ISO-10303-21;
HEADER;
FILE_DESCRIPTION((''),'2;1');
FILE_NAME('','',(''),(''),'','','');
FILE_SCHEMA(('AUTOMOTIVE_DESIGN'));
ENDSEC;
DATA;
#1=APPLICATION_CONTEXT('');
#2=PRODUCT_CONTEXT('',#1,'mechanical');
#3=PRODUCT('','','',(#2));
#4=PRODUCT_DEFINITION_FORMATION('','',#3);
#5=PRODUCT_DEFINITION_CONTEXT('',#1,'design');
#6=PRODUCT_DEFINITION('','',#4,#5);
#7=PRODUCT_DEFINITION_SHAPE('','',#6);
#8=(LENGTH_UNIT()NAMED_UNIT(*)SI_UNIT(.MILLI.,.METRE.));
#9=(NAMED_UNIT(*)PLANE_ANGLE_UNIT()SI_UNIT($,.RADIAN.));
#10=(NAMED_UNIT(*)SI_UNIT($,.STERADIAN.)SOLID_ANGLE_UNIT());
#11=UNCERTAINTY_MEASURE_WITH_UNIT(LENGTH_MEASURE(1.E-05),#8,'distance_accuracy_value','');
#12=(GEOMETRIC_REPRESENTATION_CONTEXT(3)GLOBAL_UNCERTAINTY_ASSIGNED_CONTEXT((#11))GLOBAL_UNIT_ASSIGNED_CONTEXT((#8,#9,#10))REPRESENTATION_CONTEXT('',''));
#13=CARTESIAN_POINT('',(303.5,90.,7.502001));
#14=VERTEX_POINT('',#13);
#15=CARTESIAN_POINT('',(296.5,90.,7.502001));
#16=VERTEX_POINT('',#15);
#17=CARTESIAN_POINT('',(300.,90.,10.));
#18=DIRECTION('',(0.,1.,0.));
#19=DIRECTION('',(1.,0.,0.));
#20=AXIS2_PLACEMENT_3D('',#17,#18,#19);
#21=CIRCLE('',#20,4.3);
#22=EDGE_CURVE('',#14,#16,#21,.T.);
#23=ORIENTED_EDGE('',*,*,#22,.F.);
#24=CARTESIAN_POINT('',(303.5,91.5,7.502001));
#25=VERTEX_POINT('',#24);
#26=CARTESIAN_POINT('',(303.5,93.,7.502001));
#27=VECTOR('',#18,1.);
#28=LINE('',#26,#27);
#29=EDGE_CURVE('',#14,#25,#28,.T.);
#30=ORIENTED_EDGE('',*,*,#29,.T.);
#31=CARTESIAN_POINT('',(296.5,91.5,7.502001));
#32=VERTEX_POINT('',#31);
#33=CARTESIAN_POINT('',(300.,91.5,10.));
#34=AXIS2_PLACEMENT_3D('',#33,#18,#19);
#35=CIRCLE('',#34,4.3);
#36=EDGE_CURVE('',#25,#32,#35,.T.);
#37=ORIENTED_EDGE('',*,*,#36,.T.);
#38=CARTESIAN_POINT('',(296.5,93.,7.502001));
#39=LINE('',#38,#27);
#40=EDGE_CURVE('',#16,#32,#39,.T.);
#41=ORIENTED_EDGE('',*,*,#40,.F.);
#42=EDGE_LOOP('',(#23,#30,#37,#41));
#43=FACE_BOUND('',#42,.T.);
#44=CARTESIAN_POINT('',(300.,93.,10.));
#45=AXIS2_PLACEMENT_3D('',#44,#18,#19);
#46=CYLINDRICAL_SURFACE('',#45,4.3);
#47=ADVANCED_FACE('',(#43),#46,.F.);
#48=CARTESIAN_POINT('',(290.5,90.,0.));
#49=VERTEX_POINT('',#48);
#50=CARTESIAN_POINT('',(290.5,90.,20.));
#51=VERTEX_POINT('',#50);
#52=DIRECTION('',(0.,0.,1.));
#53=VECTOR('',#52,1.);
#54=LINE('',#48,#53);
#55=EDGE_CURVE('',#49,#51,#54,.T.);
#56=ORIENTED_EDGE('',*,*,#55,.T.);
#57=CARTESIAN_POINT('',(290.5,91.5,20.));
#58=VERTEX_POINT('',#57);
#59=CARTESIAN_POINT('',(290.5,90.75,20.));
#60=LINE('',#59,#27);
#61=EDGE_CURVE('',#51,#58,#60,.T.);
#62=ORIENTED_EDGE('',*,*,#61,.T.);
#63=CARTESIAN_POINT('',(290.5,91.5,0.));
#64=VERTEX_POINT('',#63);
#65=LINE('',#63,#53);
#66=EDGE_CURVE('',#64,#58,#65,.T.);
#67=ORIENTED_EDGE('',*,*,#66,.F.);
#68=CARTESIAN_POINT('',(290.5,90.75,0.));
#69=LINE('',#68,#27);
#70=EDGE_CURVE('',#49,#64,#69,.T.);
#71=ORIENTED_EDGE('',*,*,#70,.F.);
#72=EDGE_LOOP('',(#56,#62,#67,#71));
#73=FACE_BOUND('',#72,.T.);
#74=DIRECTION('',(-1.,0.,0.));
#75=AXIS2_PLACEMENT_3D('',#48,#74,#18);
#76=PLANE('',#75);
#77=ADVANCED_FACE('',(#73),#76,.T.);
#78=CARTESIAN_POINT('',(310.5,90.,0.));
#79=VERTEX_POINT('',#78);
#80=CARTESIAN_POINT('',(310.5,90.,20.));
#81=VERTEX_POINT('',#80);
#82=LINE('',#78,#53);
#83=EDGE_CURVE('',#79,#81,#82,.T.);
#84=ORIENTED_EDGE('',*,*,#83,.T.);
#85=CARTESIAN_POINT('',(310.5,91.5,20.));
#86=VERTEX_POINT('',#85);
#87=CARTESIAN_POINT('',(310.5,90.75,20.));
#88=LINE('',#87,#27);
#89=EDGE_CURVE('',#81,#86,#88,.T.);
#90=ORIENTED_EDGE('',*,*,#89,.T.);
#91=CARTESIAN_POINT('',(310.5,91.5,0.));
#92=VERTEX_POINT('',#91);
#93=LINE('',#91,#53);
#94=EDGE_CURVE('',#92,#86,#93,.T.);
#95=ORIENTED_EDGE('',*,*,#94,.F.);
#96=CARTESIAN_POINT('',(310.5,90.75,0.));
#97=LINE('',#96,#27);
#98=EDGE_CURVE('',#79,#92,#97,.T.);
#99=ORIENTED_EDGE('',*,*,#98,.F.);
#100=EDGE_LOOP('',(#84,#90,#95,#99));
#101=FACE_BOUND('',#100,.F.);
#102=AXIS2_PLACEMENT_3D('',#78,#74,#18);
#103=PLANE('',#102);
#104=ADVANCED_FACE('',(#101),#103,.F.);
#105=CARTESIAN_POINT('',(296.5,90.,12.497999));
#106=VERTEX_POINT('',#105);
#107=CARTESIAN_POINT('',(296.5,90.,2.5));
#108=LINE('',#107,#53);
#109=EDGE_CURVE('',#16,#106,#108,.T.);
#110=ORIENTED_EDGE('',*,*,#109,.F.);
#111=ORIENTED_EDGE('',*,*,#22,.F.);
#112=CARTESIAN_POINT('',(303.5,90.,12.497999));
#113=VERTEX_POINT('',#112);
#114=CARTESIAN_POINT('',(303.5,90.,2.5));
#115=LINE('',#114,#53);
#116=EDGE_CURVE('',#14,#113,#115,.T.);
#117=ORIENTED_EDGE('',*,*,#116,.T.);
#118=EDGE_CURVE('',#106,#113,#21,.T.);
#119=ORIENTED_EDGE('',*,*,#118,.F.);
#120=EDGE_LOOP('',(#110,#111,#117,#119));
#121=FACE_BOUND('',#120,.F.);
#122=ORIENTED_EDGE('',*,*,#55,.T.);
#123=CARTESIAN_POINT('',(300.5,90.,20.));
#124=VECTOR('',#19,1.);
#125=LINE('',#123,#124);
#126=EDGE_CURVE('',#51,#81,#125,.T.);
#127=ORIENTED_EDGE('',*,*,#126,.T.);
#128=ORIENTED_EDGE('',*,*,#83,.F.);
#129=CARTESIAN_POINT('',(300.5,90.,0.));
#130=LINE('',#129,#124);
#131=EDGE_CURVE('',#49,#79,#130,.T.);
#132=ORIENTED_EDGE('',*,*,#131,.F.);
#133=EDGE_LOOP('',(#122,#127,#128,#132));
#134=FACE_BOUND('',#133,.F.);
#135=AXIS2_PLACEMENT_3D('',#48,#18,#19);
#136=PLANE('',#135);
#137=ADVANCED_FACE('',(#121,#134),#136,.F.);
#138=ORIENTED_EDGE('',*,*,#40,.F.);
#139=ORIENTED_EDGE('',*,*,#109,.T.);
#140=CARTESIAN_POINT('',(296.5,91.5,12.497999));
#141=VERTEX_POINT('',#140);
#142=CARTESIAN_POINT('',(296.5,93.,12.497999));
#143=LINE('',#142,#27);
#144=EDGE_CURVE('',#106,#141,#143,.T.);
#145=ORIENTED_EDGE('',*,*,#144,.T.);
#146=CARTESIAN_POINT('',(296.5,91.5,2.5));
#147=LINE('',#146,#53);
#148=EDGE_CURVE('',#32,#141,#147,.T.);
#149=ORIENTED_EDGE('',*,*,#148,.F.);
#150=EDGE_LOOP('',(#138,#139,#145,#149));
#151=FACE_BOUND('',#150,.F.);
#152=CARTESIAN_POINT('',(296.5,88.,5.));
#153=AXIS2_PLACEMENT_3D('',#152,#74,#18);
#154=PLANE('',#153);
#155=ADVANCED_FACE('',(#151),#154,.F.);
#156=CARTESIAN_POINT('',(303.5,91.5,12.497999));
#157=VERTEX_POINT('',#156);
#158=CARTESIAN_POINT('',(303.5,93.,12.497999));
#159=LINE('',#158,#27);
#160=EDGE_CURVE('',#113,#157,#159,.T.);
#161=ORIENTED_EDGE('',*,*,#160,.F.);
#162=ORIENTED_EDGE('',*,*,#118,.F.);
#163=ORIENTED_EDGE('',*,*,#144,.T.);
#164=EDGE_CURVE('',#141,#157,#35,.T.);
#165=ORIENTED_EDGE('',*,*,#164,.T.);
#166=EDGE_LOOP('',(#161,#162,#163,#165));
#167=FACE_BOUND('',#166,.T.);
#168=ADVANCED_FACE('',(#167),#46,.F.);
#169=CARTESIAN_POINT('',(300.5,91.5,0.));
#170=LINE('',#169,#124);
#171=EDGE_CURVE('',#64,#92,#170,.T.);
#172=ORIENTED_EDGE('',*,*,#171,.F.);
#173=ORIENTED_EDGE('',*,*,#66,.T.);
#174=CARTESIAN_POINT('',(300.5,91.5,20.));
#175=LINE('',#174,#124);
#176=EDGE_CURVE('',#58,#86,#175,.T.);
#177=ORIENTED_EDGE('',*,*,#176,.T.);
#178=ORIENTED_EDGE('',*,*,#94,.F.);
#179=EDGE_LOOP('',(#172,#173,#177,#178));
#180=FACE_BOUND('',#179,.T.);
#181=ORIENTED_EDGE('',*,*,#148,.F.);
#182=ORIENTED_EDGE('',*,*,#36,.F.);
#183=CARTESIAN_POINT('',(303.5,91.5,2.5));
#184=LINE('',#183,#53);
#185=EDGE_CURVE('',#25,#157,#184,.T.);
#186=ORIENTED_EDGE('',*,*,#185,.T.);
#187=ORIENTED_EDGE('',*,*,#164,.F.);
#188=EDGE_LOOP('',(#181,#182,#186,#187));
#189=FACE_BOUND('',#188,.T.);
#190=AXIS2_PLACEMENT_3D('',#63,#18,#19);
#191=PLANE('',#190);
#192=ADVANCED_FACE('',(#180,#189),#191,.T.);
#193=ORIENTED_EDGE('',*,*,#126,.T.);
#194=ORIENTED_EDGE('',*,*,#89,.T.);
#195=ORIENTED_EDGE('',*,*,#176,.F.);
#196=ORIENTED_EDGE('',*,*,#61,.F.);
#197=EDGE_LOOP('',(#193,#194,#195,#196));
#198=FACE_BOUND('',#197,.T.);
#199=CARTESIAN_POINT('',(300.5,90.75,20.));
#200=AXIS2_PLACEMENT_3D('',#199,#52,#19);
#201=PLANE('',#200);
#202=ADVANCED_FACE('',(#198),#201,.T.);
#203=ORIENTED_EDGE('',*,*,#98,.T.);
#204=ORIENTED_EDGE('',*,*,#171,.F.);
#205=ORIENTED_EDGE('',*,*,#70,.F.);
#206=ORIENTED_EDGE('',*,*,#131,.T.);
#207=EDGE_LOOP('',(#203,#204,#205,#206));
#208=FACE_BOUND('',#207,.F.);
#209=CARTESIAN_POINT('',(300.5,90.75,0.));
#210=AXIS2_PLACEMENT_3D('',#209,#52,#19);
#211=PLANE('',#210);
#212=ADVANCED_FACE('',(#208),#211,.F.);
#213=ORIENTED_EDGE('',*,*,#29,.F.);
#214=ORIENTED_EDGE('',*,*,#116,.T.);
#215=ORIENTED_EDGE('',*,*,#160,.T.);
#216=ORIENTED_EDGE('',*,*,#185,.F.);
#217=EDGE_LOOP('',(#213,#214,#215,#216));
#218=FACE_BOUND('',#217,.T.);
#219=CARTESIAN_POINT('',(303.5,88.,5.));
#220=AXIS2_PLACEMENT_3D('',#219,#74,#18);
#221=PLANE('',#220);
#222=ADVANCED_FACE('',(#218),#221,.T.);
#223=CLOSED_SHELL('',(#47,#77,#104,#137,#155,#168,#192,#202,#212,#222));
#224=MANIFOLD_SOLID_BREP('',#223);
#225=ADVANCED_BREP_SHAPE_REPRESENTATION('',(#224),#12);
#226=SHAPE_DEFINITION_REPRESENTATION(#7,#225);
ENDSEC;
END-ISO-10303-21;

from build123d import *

# Parameters (mm, degrees)
BOX039_W          = 10
BOX039_H          = 10
BOX039_DEPTH      = 10
BOX040_W          = 10
BOX040_H          = 10
BOX040_DEPTH      = 10
CYLINDER030_R     = 4.3
CYLINDER030_DEPTH = 5
BOX041_W          = 20
BOX041_H          = 1.5
BOX041_DEPTH      = 20


with BuildPart() as cube039:
    # Box039 → Box039 (new body)
    with BuildSketch(Plane(origin=(53.5, -105, 4), x_dir=(1, 0, 0), z_dir=(0, 0, 1))):
        with Locations((5, 5)):
            Rectangle(BOX039_W, BOX039_H)
    extrude(amount=BOX039_DEPTH)


with BuildPart() as cube040:
    # Box040 → Box040 (new body)
    with BuildSketch(Plane(origin=(36.5, -105, 4), x_dir=(1, 0, 0), z_dir=(0, 0, 1))):
        with Locations((5, 5)):
            Rectangle(BOX040_W, BOX040_H)
    extrude(amount=BOX040_DEPTH)


with BuildPart() as cut047:
    # Cylinder030 → Cylinder030 (new body)
    with BuildSketch(Plane(origin=(50, -100, 9), x_dir=(1, 0, 0), z_dir=(0, -1, 0))):
        Circle(CYLINDER030_R)
    extrude(amount=CYLINDER030_DEPTH)

    # Cut046: cut Cube040
    add(cube040.part, mode=Mode.SUBTRACT)

    # Cut047: cut Cube039
    add(cube039.part, mode=Mode.SUBTRACT)


with BuildPart() as cut047_1:
    # Cut047 placement: moved
    add(cut047.part.moved(Location((250, 193, 1))))


with BuildPart() as powerconnectertest:
    # Box041 → Box041 (new body)
    with BuildSketch(Plane(origin=(290.5, 90, 0), x_dir=(1, 0, 0), z_dir=(0, 0, 1))):
        with Locations((10, 0.75)):
            Rectangle(BOX041_W, BOX041_H)
    extrude(amount=BOX041_DEPTH)

    # Cut048: cut Cut047
    add(cut047_1.part, mode=Mode.SUBTRACT)


solid = powerconnectertest.part
